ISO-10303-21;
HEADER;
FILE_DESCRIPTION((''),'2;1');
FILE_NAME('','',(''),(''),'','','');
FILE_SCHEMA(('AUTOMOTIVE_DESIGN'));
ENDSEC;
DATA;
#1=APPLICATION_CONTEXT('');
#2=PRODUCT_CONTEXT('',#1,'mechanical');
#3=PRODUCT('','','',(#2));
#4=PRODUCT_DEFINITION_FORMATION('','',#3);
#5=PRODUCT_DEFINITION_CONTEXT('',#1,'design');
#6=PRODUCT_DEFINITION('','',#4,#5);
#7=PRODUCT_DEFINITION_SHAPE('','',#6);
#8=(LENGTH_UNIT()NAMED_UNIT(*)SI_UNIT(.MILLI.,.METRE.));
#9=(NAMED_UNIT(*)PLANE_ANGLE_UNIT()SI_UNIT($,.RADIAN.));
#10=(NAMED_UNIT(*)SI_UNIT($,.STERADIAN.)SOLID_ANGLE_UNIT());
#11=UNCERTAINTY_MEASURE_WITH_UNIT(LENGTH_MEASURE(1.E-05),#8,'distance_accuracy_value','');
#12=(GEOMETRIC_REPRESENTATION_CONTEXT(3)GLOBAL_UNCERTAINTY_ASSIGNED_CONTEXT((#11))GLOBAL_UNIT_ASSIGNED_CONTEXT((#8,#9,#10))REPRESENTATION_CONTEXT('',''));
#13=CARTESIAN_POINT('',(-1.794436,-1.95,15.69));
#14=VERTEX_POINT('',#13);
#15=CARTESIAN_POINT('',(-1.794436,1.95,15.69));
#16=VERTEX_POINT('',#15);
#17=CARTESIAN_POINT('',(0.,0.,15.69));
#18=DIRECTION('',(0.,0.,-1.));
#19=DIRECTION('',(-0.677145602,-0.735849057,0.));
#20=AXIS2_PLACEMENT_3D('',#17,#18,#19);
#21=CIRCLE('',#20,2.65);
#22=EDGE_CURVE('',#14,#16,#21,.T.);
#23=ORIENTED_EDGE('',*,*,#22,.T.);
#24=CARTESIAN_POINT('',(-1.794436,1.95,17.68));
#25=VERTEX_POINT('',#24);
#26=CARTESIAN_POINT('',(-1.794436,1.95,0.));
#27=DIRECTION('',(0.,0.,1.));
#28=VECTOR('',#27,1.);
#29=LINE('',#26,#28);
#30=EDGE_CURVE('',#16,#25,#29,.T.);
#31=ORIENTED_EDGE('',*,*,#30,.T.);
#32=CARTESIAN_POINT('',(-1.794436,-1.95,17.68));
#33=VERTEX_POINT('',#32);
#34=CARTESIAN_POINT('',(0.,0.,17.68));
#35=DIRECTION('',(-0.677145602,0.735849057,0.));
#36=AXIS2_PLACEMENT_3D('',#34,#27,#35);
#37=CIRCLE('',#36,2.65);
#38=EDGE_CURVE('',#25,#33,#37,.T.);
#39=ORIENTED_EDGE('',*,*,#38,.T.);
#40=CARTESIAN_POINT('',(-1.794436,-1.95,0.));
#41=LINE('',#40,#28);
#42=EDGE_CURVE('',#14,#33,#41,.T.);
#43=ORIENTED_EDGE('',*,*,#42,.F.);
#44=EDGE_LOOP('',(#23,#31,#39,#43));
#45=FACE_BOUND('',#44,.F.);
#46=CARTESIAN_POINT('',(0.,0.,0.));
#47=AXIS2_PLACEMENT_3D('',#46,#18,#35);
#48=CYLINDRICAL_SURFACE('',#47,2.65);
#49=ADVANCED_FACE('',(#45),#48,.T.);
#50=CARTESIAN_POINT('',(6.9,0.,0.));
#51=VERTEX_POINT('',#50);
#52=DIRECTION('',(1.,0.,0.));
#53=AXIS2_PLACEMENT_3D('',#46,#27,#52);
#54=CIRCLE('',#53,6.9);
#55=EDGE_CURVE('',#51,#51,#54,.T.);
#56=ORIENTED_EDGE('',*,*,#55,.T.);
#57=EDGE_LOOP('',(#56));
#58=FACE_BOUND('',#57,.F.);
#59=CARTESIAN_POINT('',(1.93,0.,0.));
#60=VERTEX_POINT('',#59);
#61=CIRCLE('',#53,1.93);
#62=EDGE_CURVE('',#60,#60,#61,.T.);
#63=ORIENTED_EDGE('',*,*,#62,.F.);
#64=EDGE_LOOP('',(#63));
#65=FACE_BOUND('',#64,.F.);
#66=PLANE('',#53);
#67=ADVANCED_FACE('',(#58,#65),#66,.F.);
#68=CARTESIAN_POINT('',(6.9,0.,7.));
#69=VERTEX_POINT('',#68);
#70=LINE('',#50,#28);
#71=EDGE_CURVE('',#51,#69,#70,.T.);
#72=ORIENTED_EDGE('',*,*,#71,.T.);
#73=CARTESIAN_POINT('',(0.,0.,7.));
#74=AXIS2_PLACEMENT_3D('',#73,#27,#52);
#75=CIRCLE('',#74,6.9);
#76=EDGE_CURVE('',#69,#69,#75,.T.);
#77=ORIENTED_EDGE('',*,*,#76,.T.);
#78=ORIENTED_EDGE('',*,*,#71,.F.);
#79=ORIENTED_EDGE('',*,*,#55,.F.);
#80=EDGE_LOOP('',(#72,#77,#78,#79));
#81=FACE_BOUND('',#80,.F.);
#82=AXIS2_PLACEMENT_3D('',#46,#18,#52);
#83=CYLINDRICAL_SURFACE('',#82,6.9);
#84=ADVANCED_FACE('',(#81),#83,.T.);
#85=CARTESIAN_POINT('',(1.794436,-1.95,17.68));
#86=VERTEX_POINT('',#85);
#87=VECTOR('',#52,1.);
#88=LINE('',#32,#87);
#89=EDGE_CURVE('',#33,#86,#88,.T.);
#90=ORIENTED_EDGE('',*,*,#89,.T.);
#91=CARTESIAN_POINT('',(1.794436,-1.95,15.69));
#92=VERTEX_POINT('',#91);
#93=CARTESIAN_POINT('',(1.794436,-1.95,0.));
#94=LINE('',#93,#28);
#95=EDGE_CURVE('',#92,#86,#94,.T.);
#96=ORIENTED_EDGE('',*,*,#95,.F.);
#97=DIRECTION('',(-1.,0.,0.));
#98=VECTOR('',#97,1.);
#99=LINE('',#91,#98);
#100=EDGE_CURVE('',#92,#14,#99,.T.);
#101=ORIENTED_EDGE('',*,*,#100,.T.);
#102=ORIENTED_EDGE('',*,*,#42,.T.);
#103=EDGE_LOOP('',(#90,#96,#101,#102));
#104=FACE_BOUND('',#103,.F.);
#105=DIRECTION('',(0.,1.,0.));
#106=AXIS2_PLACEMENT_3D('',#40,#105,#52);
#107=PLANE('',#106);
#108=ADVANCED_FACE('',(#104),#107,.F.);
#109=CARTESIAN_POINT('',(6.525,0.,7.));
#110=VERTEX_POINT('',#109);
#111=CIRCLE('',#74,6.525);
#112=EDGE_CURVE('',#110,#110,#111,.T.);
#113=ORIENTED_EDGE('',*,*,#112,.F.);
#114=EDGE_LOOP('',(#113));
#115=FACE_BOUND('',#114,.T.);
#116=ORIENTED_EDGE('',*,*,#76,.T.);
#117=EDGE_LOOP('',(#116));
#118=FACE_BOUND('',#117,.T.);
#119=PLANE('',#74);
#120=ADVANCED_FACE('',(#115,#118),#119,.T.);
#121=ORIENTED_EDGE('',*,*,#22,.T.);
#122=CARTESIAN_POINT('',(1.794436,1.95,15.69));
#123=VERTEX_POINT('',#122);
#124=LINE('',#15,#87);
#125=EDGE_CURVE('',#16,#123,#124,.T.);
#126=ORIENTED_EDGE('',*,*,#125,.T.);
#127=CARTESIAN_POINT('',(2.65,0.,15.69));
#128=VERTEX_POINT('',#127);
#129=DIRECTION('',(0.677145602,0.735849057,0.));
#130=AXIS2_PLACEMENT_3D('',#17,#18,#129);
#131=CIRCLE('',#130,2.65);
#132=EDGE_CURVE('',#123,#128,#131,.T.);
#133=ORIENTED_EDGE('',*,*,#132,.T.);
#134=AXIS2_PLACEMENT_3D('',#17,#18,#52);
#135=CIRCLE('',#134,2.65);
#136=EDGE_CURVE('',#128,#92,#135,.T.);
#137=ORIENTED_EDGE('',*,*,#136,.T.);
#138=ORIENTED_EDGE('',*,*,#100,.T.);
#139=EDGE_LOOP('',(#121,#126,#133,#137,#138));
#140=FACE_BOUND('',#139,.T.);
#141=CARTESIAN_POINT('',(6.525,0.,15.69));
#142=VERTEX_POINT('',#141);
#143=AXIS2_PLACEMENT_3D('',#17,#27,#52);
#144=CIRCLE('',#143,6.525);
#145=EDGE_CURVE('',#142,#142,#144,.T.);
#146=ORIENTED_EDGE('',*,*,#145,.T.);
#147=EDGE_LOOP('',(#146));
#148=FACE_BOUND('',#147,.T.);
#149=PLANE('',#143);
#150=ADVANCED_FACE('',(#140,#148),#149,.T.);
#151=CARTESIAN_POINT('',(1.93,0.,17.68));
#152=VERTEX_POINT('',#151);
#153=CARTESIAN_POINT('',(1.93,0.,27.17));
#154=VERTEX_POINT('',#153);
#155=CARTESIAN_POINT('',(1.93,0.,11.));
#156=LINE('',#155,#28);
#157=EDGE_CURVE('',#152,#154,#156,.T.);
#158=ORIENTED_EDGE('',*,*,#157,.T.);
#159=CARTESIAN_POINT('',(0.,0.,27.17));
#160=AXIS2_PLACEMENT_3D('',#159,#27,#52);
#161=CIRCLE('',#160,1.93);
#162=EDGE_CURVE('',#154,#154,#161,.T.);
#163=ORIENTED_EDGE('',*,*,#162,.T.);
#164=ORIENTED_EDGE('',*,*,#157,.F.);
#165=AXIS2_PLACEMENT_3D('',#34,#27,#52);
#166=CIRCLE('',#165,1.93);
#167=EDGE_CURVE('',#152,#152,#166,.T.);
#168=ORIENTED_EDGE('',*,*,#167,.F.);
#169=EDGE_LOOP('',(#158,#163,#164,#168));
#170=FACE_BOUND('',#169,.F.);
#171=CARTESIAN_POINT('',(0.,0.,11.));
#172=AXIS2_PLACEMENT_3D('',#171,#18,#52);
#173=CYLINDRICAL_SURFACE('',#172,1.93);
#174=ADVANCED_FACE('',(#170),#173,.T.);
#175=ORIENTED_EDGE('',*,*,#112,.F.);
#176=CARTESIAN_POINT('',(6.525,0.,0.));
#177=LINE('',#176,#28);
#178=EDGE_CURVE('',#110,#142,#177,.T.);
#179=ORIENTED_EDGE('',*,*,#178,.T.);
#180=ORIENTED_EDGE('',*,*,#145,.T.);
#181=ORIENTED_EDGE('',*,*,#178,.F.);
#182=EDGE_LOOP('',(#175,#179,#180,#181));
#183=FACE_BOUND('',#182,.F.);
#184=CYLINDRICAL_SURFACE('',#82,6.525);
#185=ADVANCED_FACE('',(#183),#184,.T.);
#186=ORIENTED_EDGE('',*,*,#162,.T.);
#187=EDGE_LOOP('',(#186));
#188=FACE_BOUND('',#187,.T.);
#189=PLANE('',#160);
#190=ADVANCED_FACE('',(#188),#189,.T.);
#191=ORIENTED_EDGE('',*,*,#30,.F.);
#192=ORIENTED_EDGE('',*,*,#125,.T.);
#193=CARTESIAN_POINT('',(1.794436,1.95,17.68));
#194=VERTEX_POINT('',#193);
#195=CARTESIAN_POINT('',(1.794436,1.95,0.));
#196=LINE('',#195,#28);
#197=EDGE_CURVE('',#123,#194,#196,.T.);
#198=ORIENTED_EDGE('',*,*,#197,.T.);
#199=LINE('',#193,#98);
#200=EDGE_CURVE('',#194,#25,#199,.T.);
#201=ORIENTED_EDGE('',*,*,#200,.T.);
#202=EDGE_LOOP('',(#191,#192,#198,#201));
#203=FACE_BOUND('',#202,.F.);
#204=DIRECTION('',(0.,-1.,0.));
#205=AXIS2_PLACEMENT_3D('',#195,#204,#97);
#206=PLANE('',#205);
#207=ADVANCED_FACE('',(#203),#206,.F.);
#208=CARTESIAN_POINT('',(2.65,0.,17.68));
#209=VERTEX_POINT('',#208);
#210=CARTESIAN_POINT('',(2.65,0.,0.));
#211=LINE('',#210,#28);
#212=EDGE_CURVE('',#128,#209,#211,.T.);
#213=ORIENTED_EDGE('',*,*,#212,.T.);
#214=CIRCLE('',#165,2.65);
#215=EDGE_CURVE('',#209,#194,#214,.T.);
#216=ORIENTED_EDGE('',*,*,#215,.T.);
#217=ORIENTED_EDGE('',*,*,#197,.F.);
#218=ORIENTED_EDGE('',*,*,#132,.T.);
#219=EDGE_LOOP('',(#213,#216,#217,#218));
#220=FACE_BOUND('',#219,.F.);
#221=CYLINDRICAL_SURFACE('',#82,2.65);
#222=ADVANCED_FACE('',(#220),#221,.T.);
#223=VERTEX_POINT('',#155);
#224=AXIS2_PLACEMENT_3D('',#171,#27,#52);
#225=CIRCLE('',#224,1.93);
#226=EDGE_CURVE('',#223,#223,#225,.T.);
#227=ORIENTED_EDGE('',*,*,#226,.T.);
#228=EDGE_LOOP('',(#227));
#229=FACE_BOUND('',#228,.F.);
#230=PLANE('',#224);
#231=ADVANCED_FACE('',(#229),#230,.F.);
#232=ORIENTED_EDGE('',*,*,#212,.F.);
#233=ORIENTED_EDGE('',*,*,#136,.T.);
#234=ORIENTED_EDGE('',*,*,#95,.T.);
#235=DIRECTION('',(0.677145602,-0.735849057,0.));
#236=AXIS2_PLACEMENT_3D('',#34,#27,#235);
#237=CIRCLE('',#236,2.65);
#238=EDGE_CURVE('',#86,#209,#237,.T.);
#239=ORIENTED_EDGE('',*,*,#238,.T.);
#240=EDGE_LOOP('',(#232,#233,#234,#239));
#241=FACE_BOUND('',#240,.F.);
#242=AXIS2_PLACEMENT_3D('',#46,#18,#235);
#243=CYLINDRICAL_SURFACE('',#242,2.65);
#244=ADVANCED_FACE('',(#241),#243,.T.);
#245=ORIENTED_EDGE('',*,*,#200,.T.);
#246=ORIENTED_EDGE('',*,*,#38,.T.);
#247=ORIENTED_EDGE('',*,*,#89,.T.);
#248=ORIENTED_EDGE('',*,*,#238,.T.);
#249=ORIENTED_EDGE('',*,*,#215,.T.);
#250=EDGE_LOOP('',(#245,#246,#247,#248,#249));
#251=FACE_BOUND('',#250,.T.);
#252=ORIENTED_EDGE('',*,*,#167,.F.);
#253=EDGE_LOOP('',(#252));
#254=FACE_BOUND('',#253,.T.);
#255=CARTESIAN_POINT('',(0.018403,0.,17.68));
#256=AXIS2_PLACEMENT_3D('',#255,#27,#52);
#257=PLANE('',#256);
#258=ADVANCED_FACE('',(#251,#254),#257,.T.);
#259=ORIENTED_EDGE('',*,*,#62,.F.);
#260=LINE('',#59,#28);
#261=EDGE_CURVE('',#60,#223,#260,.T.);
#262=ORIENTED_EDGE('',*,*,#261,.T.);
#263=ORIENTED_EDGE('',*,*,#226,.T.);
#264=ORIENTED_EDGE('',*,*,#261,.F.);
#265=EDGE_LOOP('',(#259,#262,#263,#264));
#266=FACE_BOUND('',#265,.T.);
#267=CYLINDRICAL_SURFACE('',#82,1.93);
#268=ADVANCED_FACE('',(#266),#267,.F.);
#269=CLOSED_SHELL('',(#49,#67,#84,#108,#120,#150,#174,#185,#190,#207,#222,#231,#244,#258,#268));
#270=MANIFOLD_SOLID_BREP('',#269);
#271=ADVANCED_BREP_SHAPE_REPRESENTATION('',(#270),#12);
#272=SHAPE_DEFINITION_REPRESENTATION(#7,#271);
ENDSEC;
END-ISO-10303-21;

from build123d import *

# Parameters (mm, degrees)
F1_START = 11
F0_R     = 1.93
F1_DEPTH = 16.17
F2_DEPTH = 17.68
F0_R_2   = 6.525
F3_DEPTH = 15.69
F0_R_3   = 6.9
F4_DEPTH = 7


with BuildPart() as f1:
    # F0 (on Top) → F1 (new body)
    with BuildSketch(Plane.XY.offset(F1_START)):
        Circle(F0_R)
    extrude(amount=F1_DEPTH)

    # F0 (on Top) → F2 (join)
    with BuildSketch(Plane.XY):
        with BuildLine():
            ThreePointArc((1.7944358445, -1.95), (2.4267009486, -1.0647171014), (2.65, 0))
            ThreePointArc((2.65, 0), (2.4267009486, 1.0647171014), (1.7944358445, 1.95))
            Line((1.7944358445, 1.95), (-1.7944358445, 1.95))
            ThreePointArc((-1.7944358445, 1.95), (-2.65, 0), (-1.7944358445, -1.95))
            Line((-1.7944358445, -1.95), (1.7944358445, -1.95))
        make_face()
        Circle(F0_R, mode=Mode.SUBTRACT)
    extrude(amount=F2_DEPTH)

    # F0 (on Top) → F3 (join)
    with BuildSketch(Plane.XY):
        Circle(F0_R_2)
        with BuildLine():
            ThreePointArc((1.7944358445, 1.95), (2.4267009486, 1.0647171014), (2.65, 0))
            ThreePointArc((2.65, 0), (2.4267009486, -1.0647171014), (1.7944358445, -1.95))
            ThreePointArc((1.7944358445, -1.95), (0, -2.65), (-1.7944358445, -1.95))
            ThreePointArc((-1.7944358445, -1.95), (-2.65, 0), (-1.7944358445, 1.95))
            ThreePointArc((-1.7944358445, 1.95), (0, 2.65), (1.7944358445, 1.95))
        make_face(mode=Mode.SUBTRACT)
        with BuildLine():
            ThreePointArc((-1.7944358445, -1.95), (0, -2.65), (1.7944358445, -1.95))
            Line((1.7944358445, -1.95), (-1.7944358445, -1.95))
        make_face()
        with BuildLine():
            Line((-1.7944358445, 1.95), (1.7944358445, 1.95))
            ThreePointArc((1.7944358445, 1.95), (0, 2.65), (-1.7944358445, 1.95))
        make_face()
    extrude(amount=F3_DEPTH)

    # F0 (on Top) → F4 (join)
    with BuildSketch(Plane.XY):
        Circle(F0_R_3)
        Circle(F0_R_2, mode=Mode.SUBTRACT)
    extrude(amount=F4_DEPTH)


solid = f1.part
